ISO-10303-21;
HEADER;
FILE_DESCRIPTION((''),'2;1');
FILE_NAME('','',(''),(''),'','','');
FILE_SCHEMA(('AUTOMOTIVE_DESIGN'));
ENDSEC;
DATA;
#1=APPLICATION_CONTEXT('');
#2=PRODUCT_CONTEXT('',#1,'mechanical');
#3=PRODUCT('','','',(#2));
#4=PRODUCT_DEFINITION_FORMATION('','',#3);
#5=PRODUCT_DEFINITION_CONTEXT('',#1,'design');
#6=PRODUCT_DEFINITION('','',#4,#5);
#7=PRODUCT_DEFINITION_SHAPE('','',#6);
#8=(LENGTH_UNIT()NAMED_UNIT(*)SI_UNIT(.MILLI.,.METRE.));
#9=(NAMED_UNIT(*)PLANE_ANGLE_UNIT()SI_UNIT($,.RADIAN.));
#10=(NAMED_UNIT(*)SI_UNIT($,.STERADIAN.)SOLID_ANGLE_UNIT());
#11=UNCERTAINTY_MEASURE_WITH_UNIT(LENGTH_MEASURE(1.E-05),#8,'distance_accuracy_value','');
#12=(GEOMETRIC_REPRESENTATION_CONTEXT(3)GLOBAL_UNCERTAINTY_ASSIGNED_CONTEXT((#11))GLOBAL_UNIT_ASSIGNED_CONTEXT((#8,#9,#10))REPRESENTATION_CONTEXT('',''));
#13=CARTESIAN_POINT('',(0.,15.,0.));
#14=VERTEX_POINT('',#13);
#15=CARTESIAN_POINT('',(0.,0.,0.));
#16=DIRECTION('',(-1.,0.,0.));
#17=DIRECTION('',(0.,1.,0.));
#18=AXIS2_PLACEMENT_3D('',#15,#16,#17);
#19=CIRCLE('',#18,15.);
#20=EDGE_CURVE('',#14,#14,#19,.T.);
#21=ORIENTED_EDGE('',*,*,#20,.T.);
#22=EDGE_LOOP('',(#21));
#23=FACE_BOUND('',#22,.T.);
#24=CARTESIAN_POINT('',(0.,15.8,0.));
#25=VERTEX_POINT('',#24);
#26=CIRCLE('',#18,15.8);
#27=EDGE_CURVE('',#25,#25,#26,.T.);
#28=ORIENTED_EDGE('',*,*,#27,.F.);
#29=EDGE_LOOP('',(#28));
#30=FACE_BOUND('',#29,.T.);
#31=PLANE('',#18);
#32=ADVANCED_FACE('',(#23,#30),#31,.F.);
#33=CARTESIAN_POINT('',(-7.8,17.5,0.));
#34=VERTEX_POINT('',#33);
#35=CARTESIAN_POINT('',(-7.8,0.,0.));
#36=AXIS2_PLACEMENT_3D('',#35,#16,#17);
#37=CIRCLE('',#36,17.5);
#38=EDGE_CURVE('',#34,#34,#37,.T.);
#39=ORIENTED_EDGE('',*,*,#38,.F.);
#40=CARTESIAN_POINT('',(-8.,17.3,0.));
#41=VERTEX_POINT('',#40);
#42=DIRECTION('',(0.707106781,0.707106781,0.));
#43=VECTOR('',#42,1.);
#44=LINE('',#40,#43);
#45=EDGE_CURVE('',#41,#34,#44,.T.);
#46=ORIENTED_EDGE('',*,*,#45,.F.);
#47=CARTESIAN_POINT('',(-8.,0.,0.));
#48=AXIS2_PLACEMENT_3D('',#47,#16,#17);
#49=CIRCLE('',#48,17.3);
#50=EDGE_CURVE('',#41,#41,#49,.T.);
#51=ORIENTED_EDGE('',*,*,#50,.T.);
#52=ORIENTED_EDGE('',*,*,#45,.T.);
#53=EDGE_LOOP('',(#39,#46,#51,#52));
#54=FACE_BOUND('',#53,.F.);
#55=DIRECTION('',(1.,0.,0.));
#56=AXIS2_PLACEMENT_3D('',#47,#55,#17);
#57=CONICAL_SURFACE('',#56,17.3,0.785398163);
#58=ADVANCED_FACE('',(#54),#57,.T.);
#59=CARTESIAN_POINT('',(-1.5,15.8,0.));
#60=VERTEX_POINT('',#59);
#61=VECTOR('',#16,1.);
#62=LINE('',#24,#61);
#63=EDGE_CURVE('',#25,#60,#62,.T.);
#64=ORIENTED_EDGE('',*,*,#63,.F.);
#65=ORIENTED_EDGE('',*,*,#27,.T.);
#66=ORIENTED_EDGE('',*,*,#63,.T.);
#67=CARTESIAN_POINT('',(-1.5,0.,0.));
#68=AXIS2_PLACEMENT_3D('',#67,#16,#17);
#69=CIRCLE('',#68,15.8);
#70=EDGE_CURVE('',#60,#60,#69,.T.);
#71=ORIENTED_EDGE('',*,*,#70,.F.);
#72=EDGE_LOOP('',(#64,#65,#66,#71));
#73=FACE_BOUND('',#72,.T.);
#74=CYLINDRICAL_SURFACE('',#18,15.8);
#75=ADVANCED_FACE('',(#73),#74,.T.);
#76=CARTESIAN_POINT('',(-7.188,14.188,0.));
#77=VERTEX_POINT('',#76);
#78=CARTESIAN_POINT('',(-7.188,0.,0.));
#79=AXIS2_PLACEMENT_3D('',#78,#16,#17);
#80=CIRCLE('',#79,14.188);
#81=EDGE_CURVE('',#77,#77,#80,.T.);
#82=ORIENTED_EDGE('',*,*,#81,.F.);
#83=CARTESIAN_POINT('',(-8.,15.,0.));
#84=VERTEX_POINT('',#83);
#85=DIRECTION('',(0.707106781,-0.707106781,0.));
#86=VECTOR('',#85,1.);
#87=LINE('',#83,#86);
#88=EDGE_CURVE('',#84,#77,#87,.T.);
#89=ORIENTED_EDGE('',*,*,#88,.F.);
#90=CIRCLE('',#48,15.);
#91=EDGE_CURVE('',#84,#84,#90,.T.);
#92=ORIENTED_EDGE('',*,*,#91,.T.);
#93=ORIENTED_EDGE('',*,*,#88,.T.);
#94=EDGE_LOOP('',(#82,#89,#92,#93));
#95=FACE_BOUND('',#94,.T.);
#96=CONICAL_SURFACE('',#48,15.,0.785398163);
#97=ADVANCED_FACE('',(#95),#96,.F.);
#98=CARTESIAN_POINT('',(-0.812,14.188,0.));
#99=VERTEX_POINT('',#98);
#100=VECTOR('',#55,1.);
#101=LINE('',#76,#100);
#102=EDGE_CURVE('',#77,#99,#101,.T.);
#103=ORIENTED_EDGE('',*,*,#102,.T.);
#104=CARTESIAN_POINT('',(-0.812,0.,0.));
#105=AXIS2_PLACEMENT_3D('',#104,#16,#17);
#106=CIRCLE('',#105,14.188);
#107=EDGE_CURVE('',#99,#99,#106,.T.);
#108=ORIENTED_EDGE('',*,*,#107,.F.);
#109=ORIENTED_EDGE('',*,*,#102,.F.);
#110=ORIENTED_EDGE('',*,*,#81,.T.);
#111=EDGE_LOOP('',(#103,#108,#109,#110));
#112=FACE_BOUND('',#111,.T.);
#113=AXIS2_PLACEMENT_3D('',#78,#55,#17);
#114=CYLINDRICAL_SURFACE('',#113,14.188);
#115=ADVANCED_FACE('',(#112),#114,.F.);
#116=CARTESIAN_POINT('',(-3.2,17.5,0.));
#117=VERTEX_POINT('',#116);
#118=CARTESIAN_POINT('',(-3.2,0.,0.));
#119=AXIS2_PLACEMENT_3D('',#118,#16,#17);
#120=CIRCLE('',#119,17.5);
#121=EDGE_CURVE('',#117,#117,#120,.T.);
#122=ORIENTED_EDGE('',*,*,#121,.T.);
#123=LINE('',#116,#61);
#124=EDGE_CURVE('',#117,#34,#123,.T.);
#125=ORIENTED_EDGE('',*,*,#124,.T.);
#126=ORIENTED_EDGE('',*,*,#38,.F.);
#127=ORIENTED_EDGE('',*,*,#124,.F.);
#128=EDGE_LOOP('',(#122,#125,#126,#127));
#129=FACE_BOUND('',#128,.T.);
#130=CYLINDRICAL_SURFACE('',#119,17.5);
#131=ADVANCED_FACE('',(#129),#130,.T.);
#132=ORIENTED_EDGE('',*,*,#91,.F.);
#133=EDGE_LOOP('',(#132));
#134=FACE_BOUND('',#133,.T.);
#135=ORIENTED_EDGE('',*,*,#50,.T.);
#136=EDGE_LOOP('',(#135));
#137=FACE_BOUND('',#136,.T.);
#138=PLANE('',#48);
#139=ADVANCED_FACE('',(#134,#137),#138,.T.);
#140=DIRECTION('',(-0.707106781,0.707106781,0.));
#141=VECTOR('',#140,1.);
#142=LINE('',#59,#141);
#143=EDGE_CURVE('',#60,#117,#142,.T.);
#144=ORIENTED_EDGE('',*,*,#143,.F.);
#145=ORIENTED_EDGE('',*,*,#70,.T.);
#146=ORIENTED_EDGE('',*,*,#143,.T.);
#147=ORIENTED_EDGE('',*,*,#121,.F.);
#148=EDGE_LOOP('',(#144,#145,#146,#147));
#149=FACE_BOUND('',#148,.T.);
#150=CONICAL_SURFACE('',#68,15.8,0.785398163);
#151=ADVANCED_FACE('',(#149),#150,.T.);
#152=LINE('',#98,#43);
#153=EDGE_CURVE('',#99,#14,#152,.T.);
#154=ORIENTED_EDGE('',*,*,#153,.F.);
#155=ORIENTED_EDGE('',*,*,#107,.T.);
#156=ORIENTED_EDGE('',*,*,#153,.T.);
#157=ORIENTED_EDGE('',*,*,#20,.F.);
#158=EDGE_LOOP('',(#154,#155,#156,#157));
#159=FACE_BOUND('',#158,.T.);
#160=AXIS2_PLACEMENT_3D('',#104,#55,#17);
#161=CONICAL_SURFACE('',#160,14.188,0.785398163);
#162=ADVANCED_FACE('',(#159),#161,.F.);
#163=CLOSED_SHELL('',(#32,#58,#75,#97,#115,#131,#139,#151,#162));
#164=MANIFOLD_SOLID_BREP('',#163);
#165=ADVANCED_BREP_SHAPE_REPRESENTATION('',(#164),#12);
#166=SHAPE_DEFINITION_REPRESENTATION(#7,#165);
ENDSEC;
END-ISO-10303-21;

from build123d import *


with BuildPart() as part:
    # Sketch1 → Revolve1 (revolve)
    with BuildSketch(Plane.XY):
        Polygon((-8, 17.5), (-8, 15), (-7.188, 14.188), (-0.812, 14.188), (0, 15), (0, 15.8), (-1.5, 15.8), (-3.2, 17.5), align=None)
    revolve(axis=Axis((50, 0, 0), (-1, 0, 0)))

    # Sketch2 → Cut-Revolve1 (revolve, cut)
    with BuildSketch(Plane.XY):
        Polygon((-8, 17.3), (-7.8, 17.5), (0, 17.5), (0, 20), (-8, 20), align=None)
    revolve(axis=Axis((50, 0, 0), (-1, 0, 0)), mode=Mode.SUBTRACT)


solid = part.part
